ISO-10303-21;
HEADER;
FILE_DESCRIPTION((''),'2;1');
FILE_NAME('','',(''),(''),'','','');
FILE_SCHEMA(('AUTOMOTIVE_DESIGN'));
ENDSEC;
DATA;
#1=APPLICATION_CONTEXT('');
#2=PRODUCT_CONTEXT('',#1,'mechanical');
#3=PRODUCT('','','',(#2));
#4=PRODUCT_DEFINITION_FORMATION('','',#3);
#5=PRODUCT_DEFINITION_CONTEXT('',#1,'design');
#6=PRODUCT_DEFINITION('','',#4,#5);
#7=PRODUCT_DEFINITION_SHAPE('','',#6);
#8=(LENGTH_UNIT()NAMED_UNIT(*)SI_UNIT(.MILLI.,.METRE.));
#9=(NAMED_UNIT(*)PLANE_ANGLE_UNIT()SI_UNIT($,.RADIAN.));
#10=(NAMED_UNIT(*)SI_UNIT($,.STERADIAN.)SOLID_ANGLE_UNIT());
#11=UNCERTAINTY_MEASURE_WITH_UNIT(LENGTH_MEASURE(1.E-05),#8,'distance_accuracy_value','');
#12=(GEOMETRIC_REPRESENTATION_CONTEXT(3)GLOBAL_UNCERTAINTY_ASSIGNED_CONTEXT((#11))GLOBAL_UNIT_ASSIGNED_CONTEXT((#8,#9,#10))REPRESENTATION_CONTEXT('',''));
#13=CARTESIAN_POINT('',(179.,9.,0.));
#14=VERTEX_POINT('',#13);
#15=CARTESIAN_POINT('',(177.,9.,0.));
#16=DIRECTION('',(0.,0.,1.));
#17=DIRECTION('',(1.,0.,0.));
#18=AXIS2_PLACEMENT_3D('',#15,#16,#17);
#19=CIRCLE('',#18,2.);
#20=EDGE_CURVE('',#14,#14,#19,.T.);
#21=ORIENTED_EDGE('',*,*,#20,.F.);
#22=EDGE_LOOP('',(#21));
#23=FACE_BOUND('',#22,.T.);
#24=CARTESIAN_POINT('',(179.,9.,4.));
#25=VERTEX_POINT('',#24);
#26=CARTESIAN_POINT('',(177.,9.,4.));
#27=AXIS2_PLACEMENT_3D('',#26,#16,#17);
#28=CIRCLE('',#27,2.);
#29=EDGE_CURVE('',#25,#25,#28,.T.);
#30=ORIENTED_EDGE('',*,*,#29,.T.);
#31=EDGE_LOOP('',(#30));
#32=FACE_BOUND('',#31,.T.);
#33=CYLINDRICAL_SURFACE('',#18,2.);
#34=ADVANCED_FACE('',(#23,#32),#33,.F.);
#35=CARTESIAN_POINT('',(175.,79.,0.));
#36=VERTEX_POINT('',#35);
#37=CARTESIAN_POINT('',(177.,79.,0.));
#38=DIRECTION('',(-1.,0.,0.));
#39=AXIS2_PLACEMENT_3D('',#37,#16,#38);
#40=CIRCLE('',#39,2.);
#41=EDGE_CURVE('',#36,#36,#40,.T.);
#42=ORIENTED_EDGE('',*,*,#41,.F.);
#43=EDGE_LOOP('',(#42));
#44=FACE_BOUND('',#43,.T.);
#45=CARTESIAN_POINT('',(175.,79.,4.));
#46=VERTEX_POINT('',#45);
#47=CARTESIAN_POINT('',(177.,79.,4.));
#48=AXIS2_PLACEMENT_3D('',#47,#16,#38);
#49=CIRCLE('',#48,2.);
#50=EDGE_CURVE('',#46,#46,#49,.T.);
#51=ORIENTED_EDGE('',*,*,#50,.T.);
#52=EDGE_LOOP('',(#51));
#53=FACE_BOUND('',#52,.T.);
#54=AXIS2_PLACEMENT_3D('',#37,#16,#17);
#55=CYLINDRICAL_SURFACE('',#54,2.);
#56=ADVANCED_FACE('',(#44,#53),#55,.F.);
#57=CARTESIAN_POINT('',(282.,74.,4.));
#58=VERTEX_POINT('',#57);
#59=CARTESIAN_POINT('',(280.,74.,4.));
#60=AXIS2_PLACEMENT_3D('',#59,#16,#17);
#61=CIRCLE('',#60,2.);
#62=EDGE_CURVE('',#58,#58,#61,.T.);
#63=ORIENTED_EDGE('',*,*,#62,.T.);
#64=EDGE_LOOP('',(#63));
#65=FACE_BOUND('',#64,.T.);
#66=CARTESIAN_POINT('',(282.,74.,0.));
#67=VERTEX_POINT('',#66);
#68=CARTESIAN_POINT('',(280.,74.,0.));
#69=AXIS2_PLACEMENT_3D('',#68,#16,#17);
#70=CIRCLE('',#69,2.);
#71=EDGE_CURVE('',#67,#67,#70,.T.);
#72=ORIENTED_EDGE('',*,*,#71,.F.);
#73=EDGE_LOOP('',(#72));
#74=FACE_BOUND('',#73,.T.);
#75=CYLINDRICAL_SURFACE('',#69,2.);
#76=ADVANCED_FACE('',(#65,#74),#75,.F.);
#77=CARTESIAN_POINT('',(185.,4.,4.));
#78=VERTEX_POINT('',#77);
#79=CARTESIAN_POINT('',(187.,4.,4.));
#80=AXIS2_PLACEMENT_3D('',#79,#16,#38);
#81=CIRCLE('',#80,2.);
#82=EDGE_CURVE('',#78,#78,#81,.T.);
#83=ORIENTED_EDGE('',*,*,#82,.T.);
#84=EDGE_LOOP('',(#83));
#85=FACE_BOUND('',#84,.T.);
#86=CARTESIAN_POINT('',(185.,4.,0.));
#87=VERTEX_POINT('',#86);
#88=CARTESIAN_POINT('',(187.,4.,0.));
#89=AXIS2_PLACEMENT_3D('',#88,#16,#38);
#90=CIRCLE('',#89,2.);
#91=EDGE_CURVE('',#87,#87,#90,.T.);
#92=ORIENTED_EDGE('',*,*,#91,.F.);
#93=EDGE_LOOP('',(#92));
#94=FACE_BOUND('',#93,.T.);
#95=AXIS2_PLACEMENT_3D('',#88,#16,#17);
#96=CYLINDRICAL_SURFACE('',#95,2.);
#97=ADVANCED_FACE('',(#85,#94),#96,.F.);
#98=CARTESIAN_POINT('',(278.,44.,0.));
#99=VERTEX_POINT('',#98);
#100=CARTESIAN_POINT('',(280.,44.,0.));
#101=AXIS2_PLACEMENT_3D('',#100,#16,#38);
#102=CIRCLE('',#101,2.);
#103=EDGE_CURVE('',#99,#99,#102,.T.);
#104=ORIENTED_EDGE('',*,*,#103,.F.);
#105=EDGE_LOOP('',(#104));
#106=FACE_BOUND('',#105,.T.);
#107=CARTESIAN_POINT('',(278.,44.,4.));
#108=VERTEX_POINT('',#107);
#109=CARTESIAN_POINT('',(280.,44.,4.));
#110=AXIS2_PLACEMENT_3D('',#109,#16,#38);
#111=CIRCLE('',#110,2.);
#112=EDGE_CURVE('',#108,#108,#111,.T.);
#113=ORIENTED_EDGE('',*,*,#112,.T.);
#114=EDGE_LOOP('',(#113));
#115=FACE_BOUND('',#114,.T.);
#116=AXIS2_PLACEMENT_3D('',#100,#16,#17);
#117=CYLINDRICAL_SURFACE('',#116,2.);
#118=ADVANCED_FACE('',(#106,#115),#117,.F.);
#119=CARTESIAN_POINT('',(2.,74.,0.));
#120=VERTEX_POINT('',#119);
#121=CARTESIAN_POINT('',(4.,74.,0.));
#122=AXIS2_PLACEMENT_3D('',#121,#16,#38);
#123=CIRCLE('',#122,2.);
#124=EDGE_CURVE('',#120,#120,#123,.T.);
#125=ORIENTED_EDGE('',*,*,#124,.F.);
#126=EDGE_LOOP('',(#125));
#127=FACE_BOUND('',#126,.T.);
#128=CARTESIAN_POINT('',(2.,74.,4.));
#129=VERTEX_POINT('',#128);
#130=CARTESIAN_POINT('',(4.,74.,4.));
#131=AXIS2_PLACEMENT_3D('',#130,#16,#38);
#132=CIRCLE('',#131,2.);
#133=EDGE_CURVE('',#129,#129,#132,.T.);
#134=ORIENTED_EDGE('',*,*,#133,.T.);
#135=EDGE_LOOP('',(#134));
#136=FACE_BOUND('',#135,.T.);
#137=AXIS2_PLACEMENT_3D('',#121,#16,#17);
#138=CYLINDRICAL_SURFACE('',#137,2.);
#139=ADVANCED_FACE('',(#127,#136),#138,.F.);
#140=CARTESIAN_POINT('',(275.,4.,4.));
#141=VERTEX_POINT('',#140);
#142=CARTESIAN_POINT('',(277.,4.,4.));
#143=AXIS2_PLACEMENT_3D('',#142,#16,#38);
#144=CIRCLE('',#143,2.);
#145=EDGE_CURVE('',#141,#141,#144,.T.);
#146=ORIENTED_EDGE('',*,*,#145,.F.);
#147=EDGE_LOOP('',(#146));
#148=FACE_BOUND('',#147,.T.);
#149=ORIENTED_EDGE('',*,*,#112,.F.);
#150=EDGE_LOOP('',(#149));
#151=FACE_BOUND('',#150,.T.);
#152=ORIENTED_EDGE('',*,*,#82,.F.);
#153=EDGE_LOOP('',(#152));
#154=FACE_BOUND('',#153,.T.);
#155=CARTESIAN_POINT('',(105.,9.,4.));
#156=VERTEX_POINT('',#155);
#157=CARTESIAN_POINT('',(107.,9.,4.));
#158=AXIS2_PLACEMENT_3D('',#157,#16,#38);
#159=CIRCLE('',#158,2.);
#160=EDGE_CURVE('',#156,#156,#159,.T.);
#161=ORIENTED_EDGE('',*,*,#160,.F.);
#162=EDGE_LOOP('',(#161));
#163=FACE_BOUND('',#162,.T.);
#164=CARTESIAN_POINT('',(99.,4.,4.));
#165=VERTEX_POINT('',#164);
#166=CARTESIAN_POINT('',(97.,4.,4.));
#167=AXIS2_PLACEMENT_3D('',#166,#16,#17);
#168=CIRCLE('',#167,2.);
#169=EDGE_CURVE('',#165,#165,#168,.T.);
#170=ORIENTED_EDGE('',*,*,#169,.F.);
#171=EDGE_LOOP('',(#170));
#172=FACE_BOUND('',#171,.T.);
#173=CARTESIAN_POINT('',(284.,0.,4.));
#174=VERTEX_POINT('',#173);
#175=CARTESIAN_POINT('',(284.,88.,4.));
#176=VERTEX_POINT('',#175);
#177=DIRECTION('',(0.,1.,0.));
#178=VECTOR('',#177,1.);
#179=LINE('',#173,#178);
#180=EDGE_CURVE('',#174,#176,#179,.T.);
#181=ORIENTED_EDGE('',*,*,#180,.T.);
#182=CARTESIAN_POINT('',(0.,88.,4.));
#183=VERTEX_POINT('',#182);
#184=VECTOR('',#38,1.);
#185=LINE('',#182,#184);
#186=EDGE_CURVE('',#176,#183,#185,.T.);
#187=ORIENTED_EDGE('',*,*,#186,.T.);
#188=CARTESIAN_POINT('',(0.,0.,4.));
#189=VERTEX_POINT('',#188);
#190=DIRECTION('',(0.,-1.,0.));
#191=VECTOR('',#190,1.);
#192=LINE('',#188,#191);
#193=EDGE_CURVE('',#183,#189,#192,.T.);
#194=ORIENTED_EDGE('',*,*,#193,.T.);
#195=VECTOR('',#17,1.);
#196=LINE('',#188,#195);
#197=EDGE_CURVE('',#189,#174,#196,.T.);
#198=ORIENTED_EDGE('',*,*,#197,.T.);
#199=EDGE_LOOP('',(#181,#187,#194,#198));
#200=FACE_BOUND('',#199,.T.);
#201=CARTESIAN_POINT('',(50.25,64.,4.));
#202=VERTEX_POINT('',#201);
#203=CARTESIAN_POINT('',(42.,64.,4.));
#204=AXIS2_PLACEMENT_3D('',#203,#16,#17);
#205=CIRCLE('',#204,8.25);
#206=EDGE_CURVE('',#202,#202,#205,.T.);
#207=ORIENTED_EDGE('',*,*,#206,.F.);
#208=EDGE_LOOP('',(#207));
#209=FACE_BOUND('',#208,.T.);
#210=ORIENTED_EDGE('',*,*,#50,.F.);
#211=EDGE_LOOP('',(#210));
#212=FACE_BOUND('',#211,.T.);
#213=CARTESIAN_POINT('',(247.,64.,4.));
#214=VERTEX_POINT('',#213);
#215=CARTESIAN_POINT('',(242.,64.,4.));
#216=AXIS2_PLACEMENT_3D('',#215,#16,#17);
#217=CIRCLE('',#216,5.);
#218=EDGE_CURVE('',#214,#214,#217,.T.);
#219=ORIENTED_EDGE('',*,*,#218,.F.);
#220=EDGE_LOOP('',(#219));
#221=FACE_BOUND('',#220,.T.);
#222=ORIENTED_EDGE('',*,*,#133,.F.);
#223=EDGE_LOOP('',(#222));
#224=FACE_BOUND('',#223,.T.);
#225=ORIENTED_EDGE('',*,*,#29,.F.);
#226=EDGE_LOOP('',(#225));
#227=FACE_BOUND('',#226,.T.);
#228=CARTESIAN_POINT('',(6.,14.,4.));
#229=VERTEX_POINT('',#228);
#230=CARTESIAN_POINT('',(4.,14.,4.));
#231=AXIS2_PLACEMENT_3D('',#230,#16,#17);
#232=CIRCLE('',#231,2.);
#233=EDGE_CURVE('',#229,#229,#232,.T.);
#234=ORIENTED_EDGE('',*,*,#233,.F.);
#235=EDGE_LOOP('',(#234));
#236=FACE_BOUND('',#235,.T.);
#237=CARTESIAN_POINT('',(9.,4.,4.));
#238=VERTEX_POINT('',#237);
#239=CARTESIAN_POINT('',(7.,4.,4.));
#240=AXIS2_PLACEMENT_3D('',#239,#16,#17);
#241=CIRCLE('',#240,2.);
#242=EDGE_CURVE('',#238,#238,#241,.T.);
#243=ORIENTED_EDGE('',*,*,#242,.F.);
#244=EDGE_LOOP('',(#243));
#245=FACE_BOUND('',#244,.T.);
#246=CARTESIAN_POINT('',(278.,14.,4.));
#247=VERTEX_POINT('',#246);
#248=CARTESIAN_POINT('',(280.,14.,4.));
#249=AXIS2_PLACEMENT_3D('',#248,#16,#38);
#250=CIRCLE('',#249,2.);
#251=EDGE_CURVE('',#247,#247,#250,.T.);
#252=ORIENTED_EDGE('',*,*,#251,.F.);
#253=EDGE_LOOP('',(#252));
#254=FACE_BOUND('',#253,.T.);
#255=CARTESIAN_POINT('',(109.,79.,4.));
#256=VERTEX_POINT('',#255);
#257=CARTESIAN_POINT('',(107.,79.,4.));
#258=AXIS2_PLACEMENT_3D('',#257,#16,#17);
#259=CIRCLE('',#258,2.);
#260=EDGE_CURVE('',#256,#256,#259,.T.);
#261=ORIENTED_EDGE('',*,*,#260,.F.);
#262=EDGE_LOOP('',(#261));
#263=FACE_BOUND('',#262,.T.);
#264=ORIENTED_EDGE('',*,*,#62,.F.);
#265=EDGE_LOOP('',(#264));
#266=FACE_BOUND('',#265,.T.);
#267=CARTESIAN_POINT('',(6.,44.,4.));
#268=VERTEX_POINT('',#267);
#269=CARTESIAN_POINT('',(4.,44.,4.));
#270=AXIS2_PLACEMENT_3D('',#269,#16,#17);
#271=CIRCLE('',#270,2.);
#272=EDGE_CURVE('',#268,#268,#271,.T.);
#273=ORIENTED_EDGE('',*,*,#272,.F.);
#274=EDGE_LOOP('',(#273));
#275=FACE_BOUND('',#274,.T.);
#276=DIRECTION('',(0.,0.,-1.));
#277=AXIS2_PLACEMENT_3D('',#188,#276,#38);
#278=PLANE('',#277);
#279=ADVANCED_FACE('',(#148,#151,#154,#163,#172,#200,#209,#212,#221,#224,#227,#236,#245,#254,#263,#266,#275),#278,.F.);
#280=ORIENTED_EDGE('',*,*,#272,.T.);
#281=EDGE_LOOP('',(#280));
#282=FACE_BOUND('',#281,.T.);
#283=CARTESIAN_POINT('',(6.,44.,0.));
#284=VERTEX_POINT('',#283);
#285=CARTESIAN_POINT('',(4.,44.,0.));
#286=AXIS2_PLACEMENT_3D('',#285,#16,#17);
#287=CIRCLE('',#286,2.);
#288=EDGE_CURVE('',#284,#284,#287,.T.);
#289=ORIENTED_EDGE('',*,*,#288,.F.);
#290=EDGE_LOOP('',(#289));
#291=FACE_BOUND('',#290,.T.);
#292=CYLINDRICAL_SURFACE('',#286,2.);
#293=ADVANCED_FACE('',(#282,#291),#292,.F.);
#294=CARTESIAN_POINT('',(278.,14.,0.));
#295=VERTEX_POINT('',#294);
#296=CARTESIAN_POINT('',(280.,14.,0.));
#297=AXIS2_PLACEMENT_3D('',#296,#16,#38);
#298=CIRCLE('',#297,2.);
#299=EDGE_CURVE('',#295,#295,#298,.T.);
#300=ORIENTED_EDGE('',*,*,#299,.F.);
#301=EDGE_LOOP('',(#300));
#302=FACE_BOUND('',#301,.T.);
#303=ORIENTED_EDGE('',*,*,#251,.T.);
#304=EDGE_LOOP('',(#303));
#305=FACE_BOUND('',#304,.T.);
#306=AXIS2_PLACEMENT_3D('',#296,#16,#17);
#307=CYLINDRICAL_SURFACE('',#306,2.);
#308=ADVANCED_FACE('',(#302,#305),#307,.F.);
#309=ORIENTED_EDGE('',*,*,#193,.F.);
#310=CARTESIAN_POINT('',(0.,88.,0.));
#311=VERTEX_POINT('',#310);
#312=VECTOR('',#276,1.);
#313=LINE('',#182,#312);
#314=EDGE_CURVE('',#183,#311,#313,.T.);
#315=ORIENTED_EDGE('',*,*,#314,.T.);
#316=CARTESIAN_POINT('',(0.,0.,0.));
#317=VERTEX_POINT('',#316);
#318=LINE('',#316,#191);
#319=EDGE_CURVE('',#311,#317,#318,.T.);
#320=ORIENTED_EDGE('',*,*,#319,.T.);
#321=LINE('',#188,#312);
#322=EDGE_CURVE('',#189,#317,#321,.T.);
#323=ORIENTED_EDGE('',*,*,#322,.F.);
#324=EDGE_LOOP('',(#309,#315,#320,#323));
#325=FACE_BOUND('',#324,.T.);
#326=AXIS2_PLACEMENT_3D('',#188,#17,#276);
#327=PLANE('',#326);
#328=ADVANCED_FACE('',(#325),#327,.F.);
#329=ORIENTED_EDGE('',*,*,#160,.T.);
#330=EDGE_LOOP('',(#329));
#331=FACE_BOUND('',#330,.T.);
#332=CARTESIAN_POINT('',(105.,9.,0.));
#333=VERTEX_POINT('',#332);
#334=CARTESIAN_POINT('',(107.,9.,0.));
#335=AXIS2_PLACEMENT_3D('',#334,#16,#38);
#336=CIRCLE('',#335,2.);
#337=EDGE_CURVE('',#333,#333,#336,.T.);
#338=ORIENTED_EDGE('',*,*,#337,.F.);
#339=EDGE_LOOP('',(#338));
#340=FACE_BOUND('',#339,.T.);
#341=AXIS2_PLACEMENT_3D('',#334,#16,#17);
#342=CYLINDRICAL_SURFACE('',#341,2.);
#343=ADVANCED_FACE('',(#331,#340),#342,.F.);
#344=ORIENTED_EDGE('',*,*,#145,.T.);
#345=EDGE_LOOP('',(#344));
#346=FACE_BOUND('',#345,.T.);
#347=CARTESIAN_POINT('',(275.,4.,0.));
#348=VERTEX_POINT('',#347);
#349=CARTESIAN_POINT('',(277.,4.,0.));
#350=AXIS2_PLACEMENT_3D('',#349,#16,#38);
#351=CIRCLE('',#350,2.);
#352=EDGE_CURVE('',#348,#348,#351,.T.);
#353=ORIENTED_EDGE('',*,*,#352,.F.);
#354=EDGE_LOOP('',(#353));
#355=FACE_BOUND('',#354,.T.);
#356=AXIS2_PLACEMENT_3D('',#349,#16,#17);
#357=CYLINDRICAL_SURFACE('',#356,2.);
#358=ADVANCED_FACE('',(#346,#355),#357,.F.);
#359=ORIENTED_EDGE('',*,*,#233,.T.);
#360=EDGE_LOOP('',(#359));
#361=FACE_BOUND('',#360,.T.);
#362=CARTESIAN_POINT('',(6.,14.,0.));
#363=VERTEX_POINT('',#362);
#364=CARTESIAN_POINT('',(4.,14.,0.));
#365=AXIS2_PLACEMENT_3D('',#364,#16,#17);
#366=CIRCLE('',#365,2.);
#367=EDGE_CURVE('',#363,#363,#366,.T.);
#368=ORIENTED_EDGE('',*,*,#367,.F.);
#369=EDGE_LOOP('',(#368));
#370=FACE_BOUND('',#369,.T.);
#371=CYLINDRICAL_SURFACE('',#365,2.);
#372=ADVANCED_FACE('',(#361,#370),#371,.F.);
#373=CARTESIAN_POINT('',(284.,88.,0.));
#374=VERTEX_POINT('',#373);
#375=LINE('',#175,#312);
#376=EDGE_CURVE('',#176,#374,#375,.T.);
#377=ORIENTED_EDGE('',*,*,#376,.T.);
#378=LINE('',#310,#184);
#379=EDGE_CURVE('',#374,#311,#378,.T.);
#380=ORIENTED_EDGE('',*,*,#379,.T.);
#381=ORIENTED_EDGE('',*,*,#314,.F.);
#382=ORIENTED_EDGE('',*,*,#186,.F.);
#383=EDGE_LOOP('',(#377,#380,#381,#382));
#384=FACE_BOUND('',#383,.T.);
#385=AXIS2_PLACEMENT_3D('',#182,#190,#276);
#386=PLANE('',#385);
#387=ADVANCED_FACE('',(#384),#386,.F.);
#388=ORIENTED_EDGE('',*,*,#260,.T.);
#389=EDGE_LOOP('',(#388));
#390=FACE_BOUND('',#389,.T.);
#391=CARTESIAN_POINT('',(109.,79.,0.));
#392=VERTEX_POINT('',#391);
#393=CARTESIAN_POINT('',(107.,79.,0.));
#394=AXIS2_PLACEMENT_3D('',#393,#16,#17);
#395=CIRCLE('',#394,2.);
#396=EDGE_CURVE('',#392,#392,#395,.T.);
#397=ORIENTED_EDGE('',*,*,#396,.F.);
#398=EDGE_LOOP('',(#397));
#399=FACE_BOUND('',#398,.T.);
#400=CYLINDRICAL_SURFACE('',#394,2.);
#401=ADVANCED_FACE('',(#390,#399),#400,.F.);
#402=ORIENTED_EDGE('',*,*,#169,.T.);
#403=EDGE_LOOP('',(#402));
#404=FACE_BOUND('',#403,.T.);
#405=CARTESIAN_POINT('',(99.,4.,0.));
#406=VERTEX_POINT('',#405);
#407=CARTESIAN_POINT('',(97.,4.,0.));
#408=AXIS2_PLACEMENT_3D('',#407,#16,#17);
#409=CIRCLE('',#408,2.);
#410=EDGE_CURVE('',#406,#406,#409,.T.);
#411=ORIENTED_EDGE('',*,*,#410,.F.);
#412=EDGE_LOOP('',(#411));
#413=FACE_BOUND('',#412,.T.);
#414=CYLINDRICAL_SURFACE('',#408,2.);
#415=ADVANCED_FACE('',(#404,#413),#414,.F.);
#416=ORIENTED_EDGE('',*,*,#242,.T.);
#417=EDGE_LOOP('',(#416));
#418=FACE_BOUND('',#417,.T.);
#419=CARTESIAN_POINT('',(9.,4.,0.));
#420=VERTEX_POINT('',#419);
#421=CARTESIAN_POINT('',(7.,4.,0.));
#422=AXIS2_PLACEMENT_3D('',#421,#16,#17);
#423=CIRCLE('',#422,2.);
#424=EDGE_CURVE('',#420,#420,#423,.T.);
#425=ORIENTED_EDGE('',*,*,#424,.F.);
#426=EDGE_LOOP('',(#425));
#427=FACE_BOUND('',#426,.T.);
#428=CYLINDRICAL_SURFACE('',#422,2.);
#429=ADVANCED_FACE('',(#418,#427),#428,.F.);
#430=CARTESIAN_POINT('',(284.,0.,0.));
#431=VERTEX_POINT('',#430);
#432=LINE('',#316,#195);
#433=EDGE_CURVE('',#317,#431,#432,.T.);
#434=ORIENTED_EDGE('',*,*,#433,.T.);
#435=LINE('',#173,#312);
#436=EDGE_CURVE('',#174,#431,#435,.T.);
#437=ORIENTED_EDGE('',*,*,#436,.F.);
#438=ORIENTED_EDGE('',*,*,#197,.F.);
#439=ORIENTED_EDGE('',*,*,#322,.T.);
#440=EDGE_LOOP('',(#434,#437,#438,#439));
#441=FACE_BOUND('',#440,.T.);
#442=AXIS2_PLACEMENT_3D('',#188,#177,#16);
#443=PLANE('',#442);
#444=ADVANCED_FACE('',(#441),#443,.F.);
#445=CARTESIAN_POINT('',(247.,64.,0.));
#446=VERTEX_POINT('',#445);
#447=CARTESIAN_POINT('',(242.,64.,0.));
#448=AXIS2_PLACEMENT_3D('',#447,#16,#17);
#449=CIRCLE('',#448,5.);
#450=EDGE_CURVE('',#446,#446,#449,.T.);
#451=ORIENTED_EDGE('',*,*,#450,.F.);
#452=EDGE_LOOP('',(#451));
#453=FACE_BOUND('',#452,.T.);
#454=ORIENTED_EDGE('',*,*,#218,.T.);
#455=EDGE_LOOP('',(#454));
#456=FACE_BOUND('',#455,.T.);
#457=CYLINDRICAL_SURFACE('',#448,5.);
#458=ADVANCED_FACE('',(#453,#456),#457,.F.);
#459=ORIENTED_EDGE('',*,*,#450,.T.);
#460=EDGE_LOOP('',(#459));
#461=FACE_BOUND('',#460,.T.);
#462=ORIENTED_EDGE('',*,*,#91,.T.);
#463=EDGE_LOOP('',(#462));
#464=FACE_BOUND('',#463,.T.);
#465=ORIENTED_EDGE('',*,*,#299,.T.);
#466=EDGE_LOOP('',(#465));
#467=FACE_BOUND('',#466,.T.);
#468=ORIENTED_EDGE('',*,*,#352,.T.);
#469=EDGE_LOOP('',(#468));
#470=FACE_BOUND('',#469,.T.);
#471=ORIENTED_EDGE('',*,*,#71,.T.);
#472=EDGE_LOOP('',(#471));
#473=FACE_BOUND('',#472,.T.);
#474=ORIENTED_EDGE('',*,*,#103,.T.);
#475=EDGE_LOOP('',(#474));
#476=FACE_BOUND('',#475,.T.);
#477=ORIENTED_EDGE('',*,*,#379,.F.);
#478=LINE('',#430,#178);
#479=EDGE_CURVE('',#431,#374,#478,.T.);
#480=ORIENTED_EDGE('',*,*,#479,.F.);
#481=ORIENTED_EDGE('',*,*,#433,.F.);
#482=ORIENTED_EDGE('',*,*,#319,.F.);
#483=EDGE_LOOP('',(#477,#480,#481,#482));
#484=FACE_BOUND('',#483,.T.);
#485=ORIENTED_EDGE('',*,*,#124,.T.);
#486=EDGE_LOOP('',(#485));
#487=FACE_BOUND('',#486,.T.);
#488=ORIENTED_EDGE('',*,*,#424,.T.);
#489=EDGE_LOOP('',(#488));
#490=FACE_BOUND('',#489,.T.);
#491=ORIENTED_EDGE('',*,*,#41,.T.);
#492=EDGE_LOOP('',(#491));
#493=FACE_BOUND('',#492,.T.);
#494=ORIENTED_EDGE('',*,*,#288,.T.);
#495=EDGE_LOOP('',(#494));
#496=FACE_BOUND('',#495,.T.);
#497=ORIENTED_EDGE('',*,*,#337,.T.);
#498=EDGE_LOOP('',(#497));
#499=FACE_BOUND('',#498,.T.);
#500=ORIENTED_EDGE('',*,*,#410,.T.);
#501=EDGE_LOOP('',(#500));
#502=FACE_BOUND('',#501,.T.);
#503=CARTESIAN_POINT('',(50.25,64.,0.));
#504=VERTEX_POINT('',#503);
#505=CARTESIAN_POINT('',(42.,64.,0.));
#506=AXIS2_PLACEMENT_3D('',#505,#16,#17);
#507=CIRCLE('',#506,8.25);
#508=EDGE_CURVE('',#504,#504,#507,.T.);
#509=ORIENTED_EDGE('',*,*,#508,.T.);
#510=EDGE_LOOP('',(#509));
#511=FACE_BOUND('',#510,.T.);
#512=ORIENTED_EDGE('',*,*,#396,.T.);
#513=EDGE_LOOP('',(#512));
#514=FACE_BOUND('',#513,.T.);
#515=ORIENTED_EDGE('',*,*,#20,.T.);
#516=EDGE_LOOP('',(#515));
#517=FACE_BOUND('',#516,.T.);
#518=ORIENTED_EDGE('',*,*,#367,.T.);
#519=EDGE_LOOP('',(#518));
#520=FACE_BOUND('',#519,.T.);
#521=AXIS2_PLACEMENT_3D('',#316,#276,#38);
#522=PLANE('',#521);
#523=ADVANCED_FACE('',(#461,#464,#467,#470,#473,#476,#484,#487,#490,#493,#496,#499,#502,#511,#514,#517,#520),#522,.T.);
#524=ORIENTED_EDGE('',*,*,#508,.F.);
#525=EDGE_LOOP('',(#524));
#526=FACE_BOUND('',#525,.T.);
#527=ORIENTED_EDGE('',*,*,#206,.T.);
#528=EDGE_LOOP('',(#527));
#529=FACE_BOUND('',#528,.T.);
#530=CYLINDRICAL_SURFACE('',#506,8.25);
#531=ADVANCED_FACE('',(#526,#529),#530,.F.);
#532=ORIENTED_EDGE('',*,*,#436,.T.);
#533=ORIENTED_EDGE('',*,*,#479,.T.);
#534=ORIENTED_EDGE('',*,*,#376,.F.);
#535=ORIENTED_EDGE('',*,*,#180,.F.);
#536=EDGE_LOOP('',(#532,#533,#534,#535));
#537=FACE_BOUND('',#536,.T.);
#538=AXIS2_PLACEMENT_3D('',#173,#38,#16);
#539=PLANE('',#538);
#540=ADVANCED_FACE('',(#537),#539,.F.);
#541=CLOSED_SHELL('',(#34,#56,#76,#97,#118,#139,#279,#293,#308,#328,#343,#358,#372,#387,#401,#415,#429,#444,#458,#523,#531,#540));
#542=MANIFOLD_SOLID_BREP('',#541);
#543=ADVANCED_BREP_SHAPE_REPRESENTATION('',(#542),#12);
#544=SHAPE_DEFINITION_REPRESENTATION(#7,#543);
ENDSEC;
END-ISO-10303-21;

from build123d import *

# Parameters (mm, degrees)
ESQUISSE1_W             = 284
ESQUISSE1_H             = 88
BOSS_EXTRU_1_DEPTH      = 4
ESQUISSE2_R             = 2
ESQUISSE2_R_2           = 8.25
ESQUISSE2_R_3           = 5
ENL_V_MAT_EXTRU_1_DEPTH = 298.348280641


with BuildPart() as part:
    # Esquisse1 → Boss.-Extru.1 (new body)
    with BuildSketch(Plane.XY):
        with Locations((142, 44)):
            Rectangle(ESQUISSE1_W, ESQUISSE1_H)
    extrude(amount=BOSS_EXTRU_1_DEPTH)

    # Esquisse2 → Enlèv. mat.-Extru.1 (cut, through all)
    with BuildSketch(Plane.XY.offset(4)):
        with Locations((107, 79)):
            Circle(ESQUISSE2_R)
        with Locations(Location((107, 9, 0), (0, 0, 180))):
            Circle(ESQUISSE2_R)
        with Locations((177, 9)):
            Circle(ESQUISSE2_R)
        with Locations(Location((177, 79, 0), (0, 0, 180))):
            Circle(ESQUISSE2_R)
        with Locations((42, 64)):
            Circle(ESQUISSE2_R_2)
        with Locations((4, 14)):
            Circle(ESQUISSE2_R)
        with Locations(Location((4, 74, 0), (0, 0, 180))):
            Circle(ESQUISSE2_R)
        with Locations((4, 44)):
            Circle(ESQUISSE2_R)
        with Locations(Location((280, 44, 0), (0, 0, 180))):
            Circle(ESQUISSE2_R)
        with Locations((280, 74)):
            Circle(ESQUISSE2_R)
        with Locations(Location((280, 14, 0), (0, 0, 180))):
            Circle(ESQUISSE2_R)
        with Locations((7, 4)):
            Circle(ESQUISSE2_R)
        with Locations((97, 4)):
            Circle(ESQUISSE2_R)
        with Locations(Location((187, 4, 0), (0, 0, 180))):
            Circle(ESQUISSE2_R)
        with Locations(Location((277, 4, 0), (0, 0, 180))):
            Circle(ESQUISSE2_R)
        with Locations((242, 64)):
            Circle(ESQUISSE2_R_3)
    extrude(amount=-ENL_V_MAT_EXTRU_1_DEPTH, mode=Mode.SUBTRACT)


solid = part.part
